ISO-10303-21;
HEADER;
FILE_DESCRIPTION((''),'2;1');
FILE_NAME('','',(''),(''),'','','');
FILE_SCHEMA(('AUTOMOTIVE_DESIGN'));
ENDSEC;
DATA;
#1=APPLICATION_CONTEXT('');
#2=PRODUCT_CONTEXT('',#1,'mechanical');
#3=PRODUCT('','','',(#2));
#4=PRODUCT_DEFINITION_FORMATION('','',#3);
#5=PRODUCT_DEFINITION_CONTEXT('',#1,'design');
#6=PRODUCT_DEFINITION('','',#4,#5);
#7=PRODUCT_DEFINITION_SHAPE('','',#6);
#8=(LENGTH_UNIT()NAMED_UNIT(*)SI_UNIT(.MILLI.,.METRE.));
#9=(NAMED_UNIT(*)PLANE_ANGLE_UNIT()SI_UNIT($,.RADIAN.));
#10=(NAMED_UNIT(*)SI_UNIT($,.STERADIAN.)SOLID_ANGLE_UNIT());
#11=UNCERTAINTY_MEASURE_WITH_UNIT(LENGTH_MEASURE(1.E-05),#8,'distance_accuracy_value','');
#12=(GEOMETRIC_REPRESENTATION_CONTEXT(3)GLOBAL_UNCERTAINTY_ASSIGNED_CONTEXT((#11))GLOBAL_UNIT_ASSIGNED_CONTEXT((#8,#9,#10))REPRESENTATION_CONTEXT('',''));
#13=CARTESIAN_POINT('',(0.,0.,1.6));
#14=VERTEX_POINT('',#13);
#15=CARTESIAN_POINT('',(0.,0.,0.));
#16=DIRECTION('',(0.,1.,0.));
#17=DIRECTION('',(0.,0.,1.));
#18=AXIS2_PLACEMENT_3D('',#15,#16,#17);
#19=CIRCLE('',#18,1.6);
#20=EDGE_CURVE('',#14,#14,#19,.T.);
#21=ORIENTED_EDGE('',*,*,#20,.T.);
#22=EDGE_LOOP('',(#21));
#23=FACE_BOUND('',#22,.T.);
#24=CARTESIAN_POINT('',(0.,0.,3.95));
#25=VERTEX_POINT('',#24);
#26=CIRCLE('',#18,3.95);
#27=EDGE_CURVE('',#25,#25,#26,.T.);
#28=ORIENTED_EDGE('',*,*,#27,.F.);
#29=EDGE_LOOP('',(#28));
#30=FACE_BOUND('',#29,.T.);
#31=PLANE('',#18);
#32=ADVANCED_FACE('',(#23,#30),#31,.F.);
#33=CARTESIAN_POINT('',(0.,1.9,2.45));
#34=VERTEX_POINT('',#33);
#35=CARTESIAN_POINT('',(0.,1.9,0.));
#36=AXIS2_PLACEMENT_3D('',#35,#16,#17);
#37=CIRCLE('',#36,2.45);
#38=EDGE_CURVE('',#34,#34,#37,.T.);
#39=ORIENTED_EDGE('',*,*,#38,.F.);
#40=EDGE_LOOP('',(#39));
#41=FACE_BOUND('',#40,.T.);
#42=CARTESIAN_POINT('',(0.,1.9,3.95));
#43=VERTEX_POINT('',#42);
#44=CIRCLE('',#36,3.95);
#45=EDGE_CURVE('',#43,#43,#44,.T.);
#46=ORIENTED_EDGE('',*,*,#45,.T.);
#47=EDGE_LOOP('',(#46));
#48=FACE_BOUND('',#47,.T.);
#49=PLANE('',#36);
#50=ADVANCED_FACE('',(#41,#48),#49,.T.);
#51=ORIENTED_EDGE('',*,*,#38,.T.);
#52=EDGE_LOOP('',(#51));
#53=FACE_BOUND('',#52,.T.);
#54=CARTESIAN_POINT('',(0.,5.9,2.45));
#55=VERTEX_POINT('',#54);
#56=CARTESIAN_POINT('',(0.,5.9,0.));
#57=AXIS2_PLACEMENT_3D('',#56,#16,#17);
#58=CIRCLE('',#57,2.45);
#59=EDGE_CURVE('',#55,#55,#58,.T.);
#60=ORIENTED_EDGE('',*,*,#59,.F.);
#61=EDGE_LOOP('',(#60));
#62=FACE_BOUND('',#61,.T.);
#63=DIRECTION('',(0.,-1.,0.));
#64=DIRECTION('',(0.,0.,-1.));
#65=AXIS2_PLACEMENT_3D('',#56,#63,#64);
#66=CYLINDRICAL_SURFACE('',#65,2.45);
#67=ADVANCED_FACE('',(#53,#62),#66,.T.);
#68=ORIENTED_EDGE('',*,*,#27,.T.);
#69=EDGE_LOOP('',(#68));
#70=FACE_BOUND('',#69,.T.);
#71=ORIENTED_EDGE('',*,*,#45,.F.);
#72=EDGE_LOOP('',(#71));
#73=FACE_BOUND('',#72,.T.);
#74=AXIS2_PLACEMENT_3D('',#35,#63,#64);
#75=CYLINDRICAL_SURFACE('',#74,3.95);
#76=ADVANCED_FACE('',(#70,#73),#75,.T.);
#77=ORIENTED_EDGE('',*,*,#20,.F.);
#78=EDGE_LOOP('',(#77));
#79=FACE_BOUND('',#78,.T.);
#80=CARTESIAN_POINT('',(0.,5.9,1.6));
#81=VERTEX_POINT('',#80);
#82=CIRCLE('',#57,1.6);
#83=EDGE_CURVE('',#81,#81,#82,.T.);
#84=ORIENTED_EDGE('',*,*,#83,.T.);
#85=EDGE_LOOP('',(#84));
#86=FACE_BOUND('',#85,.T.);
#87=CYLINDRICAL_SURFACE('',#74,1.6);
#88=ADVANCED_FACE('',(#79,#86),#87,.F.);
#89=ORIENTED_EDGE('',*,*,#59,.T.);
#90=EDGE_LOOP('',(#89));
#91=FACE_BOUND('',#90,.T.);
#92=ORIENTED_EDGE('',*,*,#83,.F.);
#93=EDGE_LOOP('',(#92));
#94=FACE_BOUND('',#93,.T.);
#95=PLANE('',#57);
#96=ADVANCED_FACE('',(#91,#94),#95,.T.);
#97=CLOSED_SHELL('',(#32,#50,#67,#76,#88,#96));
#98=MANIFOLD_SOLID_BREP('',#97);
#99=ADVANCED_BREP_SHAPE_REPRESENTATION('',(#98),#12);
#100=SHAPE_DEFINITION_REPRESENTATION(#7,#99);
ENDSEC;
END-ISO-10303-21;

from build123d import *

# Parameters (mm, degrees)
SKETCH1_R           = 3.95
SKETCH1_R_2         = 1.6
BOSS_EXTRUDE1_DEPTH = 1.9
SKETCH2_R           = 2.45
SKETCH2_R_2         = 1.6
BOSS_EXTRUDE2_DEPTH = 4


with BuildPart() as part:
    # Sketch1 → Boss-Extrude1 (new body)
    with BuildSketch(Plane(origin=(0, 0, 0), x_dir=(1, 0, 0), z_dir=(0, 1, 0))):
        Circle(SKETCH1_R)
        Circle(SKETCH1_R_2, mode=Mode.SUBTRACT)
    extrude(amount=BOSS_EXTRUDE1_DEPTH)

    # Sketch2 → Boss-Extrude2 (add)
    with BuildSketch(Plane(origin=(0, 1.9, 0), x_dir=(1, 0, 0), z_dir=(0, 1, 0))):
        Circle(SKETCH2_R)
        Circle(SKETCH2_R_2, mode=Mode.SUBTRACT)
    extrude(amount=BOSS_EXTRUDE2_DEPTH)


solid = part.part
